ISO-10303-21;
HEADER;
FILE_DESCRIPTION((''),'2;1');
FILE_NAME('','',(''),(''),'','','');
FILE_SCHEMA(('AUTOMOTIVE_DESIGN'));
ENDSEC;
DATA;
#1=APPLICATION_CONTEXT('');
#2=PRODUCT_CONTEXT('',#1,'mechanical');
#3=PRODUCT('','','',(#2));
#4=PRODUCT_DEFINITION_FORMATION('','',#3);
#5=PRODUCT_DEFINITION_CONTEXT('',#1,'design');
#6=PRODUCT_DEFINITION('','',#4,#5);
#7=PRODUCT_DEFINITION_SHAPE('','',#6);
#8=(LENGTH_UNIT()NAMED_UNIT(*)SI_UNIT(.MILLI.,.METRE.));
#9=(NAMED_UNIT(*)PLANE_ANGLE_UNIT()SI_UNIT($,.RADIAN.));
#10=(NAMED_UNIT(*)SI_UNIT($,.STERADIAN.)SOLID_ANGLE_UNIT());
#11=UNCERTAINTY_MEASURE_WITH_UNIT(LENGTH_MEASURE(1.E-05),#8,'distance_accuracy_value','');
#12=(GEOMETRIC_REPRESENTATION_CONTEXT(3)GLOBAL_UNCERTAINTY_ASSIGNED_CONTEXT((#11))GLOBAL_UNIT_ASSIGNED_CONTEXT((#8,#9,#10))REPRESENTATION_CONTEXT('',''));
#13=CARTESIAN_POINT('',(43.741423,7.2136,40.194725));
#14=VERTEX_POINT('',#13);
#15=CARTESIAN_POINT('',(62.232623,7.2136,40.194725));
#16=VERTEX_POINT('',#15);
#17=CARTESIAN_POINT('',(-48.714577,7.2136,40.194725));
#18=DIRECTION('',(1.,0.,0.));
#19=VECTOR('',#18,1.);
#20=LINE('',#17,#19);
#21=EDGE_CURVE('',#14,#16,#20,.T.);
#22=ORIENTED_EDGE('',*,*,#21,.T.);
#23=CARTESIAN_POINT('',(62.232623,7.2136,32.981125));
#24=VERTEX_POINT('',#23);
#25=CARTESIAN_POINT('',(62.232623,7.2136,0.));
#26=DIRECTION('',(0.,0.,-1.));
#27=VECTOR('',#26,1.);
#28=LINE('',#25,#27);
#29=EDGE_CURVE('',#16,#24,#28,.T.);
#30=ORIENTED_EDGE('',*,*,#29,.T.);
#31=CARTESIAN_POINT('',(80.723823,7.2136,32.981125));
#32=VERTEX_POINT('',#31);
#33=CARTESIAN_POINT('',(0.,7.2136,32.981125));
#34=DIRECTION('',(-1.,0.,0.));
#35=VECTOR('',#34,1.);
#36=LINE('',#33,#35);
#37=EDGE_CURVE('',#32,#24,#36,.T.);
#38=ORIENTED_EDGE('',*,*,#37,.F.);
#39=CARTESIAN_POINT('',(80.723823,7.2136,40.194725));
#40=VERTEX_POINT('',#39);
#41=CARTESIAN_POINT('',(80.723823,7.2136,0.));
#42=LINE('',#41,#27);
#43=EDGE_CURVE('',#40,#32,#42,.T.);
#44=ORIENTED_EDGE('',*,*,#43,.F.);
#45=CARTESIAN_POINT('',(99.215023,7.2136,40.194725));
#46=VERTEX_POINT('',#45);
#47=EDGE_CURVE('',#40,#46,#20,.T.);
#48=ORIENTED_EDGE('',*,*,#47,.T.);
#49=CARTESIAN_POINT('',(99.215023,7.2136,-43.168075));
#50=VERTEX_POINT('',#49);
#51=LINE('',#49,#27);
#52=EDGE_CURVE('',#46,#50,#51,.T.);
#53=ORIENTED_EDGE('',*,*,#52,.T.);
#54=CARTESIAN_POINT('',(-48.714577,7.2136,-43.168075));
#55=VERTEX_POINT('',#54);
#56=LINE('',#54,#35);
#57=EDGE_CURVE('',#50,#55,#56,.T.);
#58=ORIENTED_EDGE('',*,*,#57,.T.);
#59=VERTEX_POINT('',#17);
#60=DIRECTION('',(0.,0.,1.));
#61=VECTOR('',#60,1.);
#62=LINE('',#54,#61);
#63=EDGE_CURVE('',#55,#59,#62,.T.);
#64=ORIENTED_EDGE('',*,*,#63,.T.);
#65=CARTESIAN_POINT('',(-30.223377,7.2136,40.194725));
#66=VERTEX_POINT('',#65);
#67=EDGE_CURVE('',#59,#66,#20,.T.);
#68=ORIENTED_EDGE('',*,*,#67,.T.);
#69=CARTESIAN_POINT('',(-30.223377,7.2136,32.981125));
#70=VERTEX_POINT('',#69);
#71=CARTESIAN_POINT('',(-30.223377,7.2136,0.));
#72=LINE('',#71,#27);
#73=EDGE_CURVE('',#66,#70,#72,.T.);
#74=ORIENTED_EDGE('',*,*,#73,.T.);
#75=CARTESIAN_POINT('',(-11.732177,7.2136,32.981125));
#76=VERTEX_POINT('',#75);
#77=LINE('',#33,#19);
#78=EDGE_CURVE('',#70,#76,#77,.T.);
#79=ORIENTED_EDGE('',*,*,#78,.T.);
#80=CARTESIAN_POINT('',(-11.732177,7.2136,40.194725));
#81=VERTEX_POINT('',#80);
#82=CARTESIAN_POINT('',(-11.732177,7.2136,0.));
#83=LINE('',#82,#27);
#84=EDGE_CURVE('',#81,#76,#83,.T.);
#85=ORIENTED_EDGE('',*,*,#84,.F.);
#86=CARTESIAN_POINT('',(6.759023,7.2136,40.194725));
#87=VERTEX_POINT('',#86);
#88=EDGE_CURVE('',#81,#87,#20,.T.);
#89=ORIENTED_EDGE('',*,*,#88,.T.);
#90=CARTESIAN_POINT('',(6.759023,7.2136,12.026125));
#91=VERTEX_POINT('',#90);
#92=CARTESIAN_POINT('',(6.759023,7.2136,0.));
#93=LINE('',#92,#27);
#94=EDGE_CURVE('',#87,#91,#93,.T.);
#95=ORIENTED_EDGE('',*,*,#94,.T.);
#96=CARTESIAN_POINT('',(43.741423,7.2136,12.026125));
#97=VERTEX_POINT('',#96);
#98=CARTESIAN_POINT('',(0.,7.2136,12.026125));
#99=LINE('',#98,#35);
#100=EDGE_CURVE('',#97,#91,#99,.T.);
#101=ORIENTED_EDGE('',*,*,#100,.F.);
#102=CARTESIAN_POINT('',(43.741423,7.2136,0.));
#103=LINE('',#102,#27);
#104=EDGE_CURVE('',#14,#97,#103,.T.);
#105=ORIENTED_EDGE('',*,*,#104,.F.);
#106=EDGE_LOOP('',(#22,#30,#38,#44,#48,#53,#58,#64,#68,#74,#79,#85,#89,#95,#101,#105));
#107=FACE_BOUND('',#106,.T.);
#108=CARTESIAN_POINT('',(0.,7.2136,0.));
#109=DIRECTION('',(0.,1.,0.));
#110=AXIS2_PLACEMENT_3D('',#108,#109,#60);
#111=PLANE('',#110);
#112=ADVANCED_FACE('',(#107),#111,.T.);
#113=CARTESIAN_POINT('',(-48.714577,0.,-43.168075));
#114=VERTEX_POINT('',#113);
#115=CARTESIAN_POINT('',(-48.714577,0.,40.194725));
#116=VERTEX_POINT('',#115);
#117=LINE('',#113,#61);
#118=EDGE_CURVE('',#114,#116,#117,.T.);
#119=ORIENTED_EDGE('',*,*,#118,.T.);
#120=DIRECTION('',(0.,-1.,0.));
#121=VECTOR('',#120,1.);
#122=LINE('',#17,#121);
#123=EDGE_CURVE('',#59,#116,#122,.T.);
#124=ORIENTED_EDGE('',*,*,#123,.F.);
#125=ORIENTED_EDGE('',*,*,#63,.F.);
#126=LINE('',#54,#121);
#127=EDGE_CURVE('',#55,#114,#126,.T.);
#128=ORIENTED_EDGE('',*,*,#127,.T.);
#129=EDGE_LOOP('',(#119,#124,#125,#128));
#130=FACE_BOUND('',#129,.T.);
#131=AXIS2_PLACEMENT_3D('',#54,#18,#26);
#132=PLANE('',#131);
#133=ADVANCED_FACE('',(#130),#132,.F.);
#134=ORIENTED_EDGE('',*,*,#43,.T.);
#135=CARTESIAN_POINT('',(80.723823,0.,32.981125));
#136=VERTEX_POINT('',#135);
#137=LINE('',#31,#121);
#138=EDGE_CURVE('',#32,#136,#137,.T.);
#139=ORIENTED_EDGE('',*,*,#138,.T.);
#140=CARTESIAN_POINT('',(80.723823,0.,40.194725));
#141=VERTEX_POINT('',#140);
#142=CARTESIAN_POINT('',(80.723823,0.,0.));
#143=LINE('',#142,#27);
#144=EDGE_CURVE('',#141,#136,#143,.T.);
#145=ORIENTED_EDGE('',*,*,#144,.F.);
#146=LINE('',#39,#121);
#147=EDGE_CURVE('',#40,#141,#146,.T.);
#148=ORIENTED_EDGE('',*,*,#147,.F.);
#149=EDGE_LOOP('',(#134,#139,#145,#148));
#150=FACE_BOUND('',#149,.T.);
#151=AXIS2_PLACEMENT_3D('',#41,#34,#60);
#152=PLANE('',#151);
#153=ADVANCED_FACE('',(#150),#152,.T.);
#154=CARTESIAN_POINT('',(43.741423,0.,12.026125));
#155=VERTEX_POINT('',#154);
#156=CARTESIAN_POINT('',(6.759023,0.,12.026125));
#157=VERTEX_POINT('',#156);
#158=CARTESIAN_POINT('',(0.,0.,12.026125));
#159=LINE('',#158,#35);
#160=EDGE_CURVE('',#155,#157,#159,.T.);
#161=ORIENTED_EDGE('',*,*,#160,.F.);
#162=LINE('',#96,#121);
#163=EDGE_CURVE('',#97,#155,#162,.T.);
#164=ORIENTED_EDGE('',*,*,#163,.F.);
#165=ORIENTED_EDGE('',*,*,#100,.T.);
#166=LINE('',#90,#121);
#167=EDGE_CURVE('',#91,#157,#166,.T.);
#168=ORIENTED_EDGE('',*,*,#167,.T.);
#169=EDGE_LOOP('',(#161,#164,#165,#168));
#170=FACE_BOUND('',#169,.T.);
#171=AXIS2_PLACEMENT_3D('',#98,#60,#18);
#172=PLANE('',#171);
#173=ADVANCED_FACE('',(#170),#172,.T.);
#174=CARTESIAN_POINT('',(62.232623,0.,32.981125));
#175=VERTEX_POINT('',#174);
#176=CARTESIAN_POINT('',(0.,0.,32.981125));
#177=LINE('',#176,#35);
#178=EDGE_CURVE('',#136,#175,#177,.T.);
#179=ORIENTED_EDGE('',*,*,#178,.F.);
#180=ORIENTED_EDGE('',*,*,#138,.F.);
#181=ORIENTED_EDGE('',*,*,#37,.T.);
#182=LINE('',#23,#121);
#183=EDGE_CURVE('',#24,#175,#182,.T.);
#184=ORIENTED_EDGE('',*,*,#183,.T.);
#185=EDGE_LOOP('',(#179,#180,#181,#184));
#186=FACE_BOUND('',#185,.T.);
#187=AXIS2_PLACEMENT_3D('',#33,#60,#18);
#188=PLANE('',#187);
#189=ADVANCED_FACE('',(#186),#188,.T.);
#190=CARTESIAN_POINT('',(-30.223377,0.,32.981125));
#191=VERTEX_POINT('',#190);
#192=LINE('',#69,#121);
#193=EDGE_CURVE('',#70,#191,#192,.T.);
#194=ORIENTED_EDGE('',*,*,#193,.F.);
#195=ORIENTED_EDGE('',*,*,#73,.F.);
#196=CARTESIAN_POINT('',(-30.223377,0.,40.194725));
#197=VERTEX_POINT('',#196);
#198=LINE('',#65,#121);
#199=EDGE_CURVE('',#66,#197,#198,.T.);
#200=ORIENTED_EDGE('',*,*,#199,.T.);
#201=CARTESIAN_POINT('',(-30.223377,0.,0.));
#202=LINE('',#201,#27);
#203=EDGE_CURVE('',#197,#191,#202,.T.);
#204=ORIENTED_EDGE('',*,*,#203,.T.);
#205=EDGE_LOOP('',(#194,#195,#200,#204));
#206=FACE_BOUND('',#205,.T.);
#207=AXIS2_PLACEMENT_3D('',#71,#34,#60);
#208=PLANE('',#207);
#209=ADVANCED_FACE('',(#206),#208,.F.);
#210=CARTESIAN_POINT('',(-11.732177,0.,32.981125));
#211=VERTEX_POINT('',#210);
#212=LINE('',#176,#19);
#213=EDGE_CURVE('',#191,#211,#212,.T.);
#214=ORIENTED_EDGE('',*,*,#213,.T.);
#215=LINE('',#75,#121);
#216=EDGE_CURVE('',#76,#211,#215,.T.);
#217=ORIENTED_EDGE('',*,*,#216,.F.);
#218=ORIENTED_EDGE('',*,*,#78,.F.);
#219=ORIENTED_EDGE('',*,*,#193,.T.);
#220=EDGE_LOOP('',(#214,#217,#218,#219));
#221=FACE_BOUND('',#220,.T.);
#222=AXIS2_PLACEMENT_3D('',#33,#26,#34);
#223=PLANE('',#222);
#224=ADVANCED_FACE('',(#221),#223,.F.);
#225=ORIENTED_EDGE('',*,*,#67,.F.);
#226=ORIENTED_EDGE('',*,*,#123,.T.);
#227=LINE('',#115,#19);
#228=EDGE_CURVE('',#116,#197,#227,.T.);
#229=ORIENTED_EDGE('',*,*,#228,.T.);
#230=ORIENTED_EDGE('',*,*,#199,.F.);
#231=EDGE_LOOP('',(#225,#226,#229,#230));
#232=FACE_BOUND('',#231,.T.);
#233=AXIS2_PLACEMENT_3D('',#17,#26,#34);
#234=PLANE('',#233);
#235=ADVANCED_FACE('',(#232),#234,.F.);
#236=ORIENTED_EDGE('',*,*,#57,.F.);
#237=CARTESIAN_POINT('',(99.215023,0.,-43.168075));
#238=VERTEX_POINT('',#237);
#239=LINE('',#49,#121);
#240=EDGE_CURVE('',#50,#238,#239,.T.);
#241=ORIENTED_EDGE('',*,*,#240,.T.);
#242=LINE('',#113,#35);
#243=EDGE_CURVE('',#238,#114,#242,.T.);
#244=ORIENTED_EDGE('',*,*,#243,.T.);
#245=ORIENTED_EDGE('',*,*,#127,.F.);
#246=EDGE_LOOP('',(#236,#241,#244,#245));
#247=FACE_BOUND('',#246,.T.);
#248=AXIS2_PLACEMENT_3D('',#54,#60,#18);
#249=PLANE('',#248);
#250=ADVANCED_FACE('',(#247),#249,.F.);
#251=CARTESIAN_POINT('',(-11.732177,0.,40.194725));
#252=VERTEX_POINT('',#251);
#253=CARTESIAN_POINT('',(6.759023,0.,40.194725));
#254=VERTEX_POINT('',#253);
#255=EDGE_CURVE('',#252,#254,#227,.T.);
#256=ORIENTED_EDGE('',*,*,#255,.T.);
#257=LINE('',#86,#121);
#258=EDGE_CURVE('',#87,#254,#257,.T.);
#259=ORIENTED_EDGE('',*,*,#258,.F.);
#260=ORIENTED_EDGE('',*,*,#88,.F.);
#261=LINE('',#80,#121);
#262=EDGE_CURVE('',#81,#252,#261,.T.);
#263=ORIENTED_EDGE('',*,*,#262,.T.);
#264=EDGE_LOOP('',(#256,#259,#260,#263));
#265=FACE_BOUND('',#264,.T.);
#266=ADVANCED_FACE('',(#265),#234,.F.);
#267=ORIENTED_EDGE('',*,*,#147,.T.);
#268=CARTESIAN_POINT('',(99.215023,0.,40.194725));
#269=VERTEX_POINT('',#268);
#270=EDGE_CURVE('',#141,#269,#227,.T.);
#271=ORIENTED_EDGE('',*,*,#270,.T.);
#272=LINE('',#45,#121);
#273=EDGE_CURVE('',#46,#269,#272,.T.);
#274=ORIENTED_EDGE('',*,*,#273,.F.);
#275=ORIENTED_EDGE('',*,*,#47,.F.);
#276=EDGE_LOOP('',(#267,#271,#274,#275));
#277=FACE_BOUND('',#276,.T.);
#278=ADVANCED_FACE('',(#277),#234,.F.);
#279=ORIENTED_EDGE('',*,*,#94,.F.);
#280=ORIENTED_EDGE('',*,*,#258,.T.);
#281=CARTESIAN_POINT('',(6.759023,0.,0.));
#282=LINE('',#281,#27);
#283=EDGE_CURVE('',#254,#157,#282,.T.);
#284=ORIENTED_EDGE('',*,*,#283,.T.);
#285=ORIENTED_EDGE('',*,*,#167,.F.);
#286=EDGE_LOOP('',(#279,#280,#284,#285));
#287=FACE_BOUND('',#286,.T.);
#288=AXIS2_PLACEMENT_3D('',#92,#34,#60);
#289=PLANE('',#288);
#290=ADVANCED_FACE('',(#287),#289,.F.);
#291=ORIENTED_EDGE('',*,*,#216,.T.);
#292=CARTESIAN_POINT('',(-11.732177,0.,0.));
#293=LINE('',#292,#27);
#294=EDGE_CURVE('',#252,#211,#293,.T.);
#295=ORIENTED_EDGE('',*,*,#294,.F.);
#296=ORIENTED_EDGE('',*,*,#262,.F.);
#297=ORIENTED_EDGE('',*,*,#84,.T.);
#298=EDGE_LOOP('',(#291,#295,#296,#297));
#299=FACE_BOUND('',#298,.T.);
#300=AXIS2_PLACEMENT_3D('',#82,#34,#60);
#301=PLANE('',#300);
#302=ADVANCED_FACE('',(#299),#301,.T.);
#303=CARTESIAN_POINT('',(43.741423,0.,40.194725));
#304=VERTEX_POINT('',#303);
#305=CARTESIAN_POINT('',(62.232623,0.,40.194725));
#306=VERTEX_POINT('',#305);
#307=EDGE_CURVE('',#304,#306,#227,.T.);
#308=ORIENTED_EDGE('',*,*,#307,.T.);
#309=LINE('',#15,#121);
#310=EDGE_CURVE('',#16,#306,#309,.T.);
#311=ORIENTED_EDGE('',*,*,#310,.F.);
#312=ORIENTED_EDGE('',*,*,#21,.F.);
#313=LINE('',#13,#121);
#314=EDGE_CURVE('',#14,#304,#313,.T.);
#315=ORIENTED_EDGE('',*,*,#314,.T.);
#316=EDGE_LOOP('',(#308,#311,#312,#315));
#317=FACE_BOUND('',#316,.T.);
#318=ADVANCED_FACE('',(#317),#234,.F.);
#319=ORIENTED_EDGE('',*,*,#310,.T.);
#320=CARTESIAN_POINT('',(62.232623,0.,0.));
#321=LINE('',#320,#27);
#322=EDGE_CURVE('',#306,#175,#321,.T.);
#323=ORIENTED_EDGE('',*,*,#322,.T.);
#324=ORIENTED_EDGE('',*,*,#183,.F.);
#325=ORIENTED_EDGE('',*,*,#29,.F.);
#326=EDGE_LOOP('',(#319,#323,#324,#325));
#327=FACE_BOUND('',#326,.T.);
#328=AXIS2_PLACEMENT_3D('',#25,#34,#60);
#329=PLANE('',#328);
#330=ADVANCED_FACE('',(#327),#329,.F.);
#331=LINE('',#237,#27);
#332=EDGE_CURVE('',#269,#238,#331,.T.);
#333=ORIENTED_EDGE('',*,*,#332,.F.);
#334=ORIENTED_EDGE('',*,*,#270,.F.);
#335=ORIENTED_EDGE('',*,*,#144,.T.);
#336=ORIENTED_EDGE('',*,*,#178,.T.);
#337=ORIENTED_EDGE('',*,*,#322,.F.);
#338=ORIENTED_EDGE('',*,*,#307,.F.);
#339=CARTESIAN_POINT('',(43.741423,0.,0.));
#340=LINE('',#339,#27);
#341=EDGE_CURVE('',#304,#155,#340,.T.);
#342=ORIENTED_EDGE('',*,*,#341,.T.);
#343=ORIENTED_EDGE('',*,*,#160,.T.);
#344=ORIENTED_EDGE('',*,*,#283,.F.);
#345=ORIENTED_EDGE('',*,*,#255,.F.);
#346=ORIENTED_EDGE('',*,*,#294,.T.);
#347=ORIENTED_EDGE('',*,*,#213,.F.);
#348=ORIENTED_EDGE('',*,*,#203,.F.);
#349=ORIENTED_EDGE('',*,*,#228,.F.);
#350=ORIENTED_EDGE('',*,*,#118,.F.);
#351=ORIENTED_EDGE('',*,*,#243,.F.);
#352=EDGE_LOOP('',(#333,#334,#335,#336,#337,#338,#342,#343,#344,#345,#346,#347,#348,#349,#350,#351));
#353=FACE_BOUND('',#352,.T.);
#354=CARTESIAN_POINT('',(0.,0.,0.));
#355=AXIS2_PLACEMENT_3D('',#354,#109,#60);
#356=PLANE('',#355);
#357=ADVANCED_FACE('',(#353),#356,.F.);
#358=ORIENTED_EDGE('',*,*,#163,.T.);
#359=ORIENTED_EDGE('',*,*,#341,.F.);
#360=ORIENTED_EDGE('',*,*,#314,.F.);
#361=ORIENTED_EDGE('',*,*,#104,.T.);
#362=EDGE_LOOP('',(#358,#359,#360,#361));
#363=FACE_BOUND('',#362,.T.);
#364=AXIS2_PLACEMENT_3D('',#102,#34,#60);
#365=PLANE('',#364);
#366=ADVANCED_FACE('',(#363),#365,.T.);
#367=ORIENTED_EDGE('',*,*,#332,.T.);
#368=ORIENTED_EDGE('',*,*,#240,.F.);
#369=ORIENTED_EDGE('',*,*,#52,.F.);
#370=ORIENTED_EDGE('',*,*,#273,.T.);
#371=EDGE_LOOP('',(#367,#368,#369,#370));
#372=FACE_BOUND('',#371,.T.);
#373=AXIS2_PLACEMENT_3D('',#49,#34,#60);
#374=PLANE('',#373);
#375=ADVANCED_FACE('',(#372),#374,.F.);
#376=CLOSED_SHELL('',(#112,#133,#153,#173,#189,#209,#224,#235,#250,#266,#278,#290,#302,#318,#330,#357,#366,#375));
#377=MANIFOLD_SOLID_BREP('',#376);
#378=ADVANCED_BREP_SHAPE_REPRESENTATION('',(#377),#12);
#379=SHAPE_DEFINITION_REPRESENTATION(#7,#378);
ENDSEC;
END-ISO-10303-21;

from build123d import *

# Parameters (mm, degrees)
SKETCH1_W           = 147.9296
SKETCH1_H           = 83.3628
BOSS_EXTRUDE1_DEPTH = 7.2136
SKETCH2_W           = 18.4912
SKETCH2_H           = 7.2136
SKETCH2_H_2         = 28.1686
CUT_EXTRUDE1_DEPTH  = 109.439566659


with BuildPart() as part:
    # Sketch1 → Boss-Extrude1 (new body)
    with BuildSketch(Plane(origin=(0, 0, 0), x_dir=(1, 0, 0), z_dir=(0, 1, 0))):
        with Locations((25.250223474, 1.486675117)):
            Rectangle(SKETCH1_W, SKETCH1_H)
    extrude(amount=BOSS_EXTRUDE1_DEPTH)

    # Sketch2 → Cut-Extrude1 (cut, through all)
    with BuildSketch(Plane.XZ):
        with Locations((-20.977776526, 36.587924883)):
            Rectangle(SKETCH2_W, SKETCH2_H)
        with Locations((16.004623474, 26.110424883)):
            Rectangle(SKETCH2_W, SKETCH2_H_2)
        with Locations((34.495823474, 26.110424883)):
            Rectangle(SKETCH2_W, SKETCH2_H_2)
        with Locations((71.478223474, 36.587924883)):
            Rectangle(SKETCH2_W, SKETCH2_H)
    extrude(amount=-CUT_EXTRUDE1_DEPTH, mode=Mode.SUBTRACT)


solid = part.part
